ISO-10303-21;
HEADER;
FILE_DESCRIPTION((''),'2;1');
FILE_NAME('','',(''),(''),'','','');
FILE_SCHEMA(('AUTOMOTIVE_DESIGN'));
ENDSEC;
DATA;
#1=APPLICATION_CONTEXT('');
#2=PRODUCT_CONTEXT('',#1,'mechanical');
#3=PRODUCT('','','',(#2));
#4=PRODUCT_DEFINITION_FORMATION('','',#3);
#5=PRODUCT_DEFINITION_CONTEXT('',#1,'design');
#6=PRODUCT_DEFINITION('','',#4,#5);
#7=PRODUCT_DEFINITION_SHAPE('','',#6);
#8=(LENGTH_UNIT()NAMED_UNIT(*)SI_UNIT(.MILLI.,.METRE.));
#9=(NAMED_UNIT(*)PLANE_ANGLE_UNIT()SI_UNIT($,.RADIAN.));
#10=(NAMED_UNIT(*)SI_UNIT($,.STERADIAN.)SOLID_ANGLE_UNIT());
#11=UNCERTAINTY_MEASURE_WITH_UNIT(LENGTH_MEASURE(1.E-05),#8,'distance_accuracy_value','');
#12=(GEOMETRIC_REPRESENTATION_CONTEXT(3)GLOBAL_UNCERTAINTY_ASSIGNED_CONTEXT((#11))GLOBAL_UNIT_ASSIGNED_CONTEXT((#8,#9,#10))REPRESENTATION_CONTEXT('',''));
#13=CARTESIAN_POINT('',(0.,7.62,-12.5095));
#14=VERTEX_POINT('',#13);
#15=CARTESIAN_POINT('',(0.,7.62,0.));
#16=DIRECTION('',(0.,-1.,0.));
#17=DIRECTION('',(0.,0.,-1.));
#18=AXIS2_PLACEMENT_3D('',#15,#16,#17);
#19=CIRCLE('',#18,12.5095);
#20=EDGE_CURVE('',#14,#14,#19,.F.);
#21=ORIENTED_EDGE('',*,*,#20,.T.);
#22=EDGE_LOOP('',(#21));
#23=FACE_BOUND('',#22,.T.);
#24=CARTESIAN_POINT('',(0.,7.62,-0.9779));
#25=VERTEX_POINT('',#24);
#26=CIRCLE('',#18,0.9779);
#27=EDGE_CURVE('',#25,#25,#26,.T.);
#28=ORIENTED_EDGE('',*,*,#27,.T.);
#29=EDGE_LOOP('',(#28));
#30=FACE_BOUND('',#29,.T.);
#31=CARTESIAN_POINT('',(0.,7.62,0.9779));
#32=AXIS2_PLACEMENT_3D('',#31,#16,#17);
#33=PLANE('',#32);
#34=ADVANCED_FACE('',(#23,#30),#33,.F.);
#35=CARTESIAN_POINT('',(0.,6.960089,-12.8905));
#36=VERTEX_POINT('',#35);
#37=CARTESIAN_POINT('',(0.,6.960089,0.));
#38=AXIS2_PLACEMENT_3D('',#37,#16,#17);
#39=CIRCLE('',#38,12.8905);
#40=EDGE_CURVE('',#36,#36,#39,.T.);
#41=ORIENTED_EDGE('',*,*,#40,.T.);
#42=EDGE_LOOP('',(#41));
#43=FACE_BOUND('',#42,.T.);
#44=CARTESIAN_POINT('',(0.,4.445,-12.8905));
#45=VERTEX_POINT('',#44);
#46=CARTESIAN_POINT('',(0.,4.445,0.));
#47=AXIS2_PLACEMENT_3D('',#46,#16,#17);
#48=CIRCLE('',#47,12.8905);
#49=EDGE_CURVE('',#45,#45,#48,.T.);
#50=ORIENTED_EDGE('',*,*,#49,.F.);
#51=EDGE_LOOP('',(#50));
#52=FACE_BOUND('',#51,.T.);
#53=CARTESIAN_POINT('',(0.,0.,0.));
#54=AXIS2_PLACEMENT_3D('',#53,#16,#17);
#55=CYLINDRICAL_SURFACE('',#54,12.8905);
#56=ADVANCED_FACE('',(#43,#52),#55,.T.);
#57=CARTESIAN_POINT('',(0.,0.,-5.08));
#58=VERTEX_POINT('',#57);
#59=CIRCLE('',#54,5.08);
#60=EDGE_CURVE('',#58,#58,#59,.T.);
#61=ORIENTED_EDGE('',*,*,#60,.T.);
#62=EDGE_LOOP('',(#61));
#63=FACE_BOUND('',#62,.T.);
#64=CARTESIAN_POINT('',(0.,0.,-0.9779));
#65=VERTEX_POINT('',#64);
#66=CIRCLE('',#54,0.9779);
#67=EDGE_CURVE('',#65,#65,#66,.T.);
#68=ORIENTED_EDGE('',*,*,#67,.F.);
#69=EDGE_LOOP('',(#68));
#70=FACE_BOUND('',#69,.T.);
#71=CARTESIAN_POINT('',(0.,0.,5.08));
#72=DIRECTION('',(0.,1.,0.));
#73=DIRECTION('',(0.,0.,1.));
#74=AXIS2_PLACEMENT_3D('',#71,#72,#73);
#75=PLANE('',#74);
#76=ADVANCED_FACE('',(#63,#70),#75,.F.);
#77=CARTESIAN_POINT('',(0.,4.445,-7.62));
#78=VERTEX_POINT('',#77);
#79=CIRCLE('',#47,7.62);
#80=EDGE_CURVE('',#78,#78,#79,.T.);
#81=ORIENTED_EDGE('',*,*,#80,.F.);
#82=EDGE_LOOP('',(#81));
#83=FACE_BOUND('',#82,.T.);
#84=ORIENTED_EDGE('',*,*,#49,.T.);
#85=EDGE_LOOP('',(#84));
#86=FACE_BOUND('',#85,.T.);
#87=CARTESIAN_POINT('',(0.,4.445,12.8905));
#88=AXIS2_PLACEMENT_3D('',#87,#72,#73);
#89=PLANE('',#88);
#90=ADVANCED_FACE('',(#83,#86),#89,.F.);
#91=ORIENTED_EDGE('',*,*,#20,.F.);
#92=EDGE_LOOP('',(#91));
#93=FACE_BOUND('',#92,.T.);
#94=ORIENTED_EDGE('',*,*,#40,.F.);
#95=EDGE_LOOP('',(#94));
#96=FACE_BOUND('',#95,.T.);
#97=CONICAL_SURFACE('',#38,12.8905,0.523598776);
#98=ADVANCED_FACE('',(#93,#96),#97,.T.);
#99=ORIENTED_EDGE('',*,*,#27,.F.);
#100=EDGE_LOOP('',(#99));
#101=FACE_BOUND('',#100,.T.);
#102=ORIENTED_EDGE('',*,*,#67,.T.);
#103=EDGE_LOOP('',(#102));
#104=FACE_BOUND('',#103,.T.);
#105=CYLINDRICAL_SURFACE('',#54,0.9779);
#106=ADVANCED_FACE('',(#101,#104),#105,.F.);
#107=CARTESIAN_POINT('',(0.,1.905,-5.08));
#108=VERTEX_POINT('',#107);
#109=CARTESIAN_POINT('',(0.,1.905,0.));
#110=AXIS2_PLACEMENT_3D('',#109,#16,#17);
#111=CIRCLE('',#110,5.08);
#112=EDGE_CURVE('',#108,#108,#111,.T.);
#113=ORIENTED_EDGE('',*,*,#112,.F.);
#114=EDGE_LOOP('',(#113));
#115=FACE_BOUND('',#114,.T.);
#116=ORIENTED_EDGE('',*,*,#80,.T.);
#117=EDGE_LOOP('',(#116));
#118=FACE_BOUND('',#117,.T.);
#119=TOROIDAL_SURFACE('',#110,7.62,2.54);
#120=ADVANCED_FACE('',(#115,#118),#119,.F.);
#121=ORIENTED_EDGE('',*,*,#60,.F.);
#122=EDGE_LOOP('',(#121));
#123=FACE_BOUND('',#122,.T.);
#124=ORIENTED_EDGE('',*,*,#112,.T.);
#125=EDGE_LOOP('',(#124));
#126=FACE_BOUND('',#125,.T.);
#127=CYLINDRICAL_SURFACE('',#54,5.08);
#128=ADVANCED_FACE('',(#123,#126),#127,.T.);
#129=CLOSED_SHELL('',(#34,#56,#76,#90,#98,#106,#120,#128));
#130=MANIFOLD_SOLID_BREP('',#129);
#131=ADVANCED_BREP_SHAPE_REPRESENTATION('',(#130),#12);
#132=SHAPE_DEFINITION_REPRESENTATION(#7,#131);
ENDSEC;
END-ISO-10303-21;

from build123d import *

# Parameters (mm, degrees)
CHAMFER1_SIZE  = 0.381
CHAMFER1_SIZE2 = 0.659911358


with BuildPart() as part:
    # Sketch1 → Revolve1 (revolve)
    with BuildSketch(Plane(origin=(0, 0, 0), x_dir=(0, 0, -1), z_dir=(1, 0, 0))):
        with BuildLine():
            Line((-0.9779, 0), (-0.9779, 7.62))
            Line((-0.9779, 7.62), (-12.8905, 7.62))
            Line((-12.8905, 7.62), (-12.8905, 4.445))
            Line((-12.8905, 4.445), (-7.62, 4.445))
            ThreePointArc((-7.62, 4.445), (-5.823948776, 3.701051224), (-5.08, 1.905))
            Line((-5.08, 1.905), (-5.08, 0))
            Line((-5.08, 0), (-0.9779, 0))
        make_face()
    revolve(axis=Axis((0, 0, 0), (0, 1, 0)))

    # Chamfer1
    chamfer1_edges = [part.edges().sort_by_distance(p)[0] for p in [
        (0, 7.62, -12.8905),
    ]]
    chamfer1_side = [part.faces().sort_by_distance(p)[0] for p in [
        (0, 7.62, -1.342498399),
    ]]
    chamfer(chamfer1_edges, length=CHAMFER1_SIZE, length2=CHAMFER1_SIZE2, reference=chamfer1_side[0])


solid = part.part
